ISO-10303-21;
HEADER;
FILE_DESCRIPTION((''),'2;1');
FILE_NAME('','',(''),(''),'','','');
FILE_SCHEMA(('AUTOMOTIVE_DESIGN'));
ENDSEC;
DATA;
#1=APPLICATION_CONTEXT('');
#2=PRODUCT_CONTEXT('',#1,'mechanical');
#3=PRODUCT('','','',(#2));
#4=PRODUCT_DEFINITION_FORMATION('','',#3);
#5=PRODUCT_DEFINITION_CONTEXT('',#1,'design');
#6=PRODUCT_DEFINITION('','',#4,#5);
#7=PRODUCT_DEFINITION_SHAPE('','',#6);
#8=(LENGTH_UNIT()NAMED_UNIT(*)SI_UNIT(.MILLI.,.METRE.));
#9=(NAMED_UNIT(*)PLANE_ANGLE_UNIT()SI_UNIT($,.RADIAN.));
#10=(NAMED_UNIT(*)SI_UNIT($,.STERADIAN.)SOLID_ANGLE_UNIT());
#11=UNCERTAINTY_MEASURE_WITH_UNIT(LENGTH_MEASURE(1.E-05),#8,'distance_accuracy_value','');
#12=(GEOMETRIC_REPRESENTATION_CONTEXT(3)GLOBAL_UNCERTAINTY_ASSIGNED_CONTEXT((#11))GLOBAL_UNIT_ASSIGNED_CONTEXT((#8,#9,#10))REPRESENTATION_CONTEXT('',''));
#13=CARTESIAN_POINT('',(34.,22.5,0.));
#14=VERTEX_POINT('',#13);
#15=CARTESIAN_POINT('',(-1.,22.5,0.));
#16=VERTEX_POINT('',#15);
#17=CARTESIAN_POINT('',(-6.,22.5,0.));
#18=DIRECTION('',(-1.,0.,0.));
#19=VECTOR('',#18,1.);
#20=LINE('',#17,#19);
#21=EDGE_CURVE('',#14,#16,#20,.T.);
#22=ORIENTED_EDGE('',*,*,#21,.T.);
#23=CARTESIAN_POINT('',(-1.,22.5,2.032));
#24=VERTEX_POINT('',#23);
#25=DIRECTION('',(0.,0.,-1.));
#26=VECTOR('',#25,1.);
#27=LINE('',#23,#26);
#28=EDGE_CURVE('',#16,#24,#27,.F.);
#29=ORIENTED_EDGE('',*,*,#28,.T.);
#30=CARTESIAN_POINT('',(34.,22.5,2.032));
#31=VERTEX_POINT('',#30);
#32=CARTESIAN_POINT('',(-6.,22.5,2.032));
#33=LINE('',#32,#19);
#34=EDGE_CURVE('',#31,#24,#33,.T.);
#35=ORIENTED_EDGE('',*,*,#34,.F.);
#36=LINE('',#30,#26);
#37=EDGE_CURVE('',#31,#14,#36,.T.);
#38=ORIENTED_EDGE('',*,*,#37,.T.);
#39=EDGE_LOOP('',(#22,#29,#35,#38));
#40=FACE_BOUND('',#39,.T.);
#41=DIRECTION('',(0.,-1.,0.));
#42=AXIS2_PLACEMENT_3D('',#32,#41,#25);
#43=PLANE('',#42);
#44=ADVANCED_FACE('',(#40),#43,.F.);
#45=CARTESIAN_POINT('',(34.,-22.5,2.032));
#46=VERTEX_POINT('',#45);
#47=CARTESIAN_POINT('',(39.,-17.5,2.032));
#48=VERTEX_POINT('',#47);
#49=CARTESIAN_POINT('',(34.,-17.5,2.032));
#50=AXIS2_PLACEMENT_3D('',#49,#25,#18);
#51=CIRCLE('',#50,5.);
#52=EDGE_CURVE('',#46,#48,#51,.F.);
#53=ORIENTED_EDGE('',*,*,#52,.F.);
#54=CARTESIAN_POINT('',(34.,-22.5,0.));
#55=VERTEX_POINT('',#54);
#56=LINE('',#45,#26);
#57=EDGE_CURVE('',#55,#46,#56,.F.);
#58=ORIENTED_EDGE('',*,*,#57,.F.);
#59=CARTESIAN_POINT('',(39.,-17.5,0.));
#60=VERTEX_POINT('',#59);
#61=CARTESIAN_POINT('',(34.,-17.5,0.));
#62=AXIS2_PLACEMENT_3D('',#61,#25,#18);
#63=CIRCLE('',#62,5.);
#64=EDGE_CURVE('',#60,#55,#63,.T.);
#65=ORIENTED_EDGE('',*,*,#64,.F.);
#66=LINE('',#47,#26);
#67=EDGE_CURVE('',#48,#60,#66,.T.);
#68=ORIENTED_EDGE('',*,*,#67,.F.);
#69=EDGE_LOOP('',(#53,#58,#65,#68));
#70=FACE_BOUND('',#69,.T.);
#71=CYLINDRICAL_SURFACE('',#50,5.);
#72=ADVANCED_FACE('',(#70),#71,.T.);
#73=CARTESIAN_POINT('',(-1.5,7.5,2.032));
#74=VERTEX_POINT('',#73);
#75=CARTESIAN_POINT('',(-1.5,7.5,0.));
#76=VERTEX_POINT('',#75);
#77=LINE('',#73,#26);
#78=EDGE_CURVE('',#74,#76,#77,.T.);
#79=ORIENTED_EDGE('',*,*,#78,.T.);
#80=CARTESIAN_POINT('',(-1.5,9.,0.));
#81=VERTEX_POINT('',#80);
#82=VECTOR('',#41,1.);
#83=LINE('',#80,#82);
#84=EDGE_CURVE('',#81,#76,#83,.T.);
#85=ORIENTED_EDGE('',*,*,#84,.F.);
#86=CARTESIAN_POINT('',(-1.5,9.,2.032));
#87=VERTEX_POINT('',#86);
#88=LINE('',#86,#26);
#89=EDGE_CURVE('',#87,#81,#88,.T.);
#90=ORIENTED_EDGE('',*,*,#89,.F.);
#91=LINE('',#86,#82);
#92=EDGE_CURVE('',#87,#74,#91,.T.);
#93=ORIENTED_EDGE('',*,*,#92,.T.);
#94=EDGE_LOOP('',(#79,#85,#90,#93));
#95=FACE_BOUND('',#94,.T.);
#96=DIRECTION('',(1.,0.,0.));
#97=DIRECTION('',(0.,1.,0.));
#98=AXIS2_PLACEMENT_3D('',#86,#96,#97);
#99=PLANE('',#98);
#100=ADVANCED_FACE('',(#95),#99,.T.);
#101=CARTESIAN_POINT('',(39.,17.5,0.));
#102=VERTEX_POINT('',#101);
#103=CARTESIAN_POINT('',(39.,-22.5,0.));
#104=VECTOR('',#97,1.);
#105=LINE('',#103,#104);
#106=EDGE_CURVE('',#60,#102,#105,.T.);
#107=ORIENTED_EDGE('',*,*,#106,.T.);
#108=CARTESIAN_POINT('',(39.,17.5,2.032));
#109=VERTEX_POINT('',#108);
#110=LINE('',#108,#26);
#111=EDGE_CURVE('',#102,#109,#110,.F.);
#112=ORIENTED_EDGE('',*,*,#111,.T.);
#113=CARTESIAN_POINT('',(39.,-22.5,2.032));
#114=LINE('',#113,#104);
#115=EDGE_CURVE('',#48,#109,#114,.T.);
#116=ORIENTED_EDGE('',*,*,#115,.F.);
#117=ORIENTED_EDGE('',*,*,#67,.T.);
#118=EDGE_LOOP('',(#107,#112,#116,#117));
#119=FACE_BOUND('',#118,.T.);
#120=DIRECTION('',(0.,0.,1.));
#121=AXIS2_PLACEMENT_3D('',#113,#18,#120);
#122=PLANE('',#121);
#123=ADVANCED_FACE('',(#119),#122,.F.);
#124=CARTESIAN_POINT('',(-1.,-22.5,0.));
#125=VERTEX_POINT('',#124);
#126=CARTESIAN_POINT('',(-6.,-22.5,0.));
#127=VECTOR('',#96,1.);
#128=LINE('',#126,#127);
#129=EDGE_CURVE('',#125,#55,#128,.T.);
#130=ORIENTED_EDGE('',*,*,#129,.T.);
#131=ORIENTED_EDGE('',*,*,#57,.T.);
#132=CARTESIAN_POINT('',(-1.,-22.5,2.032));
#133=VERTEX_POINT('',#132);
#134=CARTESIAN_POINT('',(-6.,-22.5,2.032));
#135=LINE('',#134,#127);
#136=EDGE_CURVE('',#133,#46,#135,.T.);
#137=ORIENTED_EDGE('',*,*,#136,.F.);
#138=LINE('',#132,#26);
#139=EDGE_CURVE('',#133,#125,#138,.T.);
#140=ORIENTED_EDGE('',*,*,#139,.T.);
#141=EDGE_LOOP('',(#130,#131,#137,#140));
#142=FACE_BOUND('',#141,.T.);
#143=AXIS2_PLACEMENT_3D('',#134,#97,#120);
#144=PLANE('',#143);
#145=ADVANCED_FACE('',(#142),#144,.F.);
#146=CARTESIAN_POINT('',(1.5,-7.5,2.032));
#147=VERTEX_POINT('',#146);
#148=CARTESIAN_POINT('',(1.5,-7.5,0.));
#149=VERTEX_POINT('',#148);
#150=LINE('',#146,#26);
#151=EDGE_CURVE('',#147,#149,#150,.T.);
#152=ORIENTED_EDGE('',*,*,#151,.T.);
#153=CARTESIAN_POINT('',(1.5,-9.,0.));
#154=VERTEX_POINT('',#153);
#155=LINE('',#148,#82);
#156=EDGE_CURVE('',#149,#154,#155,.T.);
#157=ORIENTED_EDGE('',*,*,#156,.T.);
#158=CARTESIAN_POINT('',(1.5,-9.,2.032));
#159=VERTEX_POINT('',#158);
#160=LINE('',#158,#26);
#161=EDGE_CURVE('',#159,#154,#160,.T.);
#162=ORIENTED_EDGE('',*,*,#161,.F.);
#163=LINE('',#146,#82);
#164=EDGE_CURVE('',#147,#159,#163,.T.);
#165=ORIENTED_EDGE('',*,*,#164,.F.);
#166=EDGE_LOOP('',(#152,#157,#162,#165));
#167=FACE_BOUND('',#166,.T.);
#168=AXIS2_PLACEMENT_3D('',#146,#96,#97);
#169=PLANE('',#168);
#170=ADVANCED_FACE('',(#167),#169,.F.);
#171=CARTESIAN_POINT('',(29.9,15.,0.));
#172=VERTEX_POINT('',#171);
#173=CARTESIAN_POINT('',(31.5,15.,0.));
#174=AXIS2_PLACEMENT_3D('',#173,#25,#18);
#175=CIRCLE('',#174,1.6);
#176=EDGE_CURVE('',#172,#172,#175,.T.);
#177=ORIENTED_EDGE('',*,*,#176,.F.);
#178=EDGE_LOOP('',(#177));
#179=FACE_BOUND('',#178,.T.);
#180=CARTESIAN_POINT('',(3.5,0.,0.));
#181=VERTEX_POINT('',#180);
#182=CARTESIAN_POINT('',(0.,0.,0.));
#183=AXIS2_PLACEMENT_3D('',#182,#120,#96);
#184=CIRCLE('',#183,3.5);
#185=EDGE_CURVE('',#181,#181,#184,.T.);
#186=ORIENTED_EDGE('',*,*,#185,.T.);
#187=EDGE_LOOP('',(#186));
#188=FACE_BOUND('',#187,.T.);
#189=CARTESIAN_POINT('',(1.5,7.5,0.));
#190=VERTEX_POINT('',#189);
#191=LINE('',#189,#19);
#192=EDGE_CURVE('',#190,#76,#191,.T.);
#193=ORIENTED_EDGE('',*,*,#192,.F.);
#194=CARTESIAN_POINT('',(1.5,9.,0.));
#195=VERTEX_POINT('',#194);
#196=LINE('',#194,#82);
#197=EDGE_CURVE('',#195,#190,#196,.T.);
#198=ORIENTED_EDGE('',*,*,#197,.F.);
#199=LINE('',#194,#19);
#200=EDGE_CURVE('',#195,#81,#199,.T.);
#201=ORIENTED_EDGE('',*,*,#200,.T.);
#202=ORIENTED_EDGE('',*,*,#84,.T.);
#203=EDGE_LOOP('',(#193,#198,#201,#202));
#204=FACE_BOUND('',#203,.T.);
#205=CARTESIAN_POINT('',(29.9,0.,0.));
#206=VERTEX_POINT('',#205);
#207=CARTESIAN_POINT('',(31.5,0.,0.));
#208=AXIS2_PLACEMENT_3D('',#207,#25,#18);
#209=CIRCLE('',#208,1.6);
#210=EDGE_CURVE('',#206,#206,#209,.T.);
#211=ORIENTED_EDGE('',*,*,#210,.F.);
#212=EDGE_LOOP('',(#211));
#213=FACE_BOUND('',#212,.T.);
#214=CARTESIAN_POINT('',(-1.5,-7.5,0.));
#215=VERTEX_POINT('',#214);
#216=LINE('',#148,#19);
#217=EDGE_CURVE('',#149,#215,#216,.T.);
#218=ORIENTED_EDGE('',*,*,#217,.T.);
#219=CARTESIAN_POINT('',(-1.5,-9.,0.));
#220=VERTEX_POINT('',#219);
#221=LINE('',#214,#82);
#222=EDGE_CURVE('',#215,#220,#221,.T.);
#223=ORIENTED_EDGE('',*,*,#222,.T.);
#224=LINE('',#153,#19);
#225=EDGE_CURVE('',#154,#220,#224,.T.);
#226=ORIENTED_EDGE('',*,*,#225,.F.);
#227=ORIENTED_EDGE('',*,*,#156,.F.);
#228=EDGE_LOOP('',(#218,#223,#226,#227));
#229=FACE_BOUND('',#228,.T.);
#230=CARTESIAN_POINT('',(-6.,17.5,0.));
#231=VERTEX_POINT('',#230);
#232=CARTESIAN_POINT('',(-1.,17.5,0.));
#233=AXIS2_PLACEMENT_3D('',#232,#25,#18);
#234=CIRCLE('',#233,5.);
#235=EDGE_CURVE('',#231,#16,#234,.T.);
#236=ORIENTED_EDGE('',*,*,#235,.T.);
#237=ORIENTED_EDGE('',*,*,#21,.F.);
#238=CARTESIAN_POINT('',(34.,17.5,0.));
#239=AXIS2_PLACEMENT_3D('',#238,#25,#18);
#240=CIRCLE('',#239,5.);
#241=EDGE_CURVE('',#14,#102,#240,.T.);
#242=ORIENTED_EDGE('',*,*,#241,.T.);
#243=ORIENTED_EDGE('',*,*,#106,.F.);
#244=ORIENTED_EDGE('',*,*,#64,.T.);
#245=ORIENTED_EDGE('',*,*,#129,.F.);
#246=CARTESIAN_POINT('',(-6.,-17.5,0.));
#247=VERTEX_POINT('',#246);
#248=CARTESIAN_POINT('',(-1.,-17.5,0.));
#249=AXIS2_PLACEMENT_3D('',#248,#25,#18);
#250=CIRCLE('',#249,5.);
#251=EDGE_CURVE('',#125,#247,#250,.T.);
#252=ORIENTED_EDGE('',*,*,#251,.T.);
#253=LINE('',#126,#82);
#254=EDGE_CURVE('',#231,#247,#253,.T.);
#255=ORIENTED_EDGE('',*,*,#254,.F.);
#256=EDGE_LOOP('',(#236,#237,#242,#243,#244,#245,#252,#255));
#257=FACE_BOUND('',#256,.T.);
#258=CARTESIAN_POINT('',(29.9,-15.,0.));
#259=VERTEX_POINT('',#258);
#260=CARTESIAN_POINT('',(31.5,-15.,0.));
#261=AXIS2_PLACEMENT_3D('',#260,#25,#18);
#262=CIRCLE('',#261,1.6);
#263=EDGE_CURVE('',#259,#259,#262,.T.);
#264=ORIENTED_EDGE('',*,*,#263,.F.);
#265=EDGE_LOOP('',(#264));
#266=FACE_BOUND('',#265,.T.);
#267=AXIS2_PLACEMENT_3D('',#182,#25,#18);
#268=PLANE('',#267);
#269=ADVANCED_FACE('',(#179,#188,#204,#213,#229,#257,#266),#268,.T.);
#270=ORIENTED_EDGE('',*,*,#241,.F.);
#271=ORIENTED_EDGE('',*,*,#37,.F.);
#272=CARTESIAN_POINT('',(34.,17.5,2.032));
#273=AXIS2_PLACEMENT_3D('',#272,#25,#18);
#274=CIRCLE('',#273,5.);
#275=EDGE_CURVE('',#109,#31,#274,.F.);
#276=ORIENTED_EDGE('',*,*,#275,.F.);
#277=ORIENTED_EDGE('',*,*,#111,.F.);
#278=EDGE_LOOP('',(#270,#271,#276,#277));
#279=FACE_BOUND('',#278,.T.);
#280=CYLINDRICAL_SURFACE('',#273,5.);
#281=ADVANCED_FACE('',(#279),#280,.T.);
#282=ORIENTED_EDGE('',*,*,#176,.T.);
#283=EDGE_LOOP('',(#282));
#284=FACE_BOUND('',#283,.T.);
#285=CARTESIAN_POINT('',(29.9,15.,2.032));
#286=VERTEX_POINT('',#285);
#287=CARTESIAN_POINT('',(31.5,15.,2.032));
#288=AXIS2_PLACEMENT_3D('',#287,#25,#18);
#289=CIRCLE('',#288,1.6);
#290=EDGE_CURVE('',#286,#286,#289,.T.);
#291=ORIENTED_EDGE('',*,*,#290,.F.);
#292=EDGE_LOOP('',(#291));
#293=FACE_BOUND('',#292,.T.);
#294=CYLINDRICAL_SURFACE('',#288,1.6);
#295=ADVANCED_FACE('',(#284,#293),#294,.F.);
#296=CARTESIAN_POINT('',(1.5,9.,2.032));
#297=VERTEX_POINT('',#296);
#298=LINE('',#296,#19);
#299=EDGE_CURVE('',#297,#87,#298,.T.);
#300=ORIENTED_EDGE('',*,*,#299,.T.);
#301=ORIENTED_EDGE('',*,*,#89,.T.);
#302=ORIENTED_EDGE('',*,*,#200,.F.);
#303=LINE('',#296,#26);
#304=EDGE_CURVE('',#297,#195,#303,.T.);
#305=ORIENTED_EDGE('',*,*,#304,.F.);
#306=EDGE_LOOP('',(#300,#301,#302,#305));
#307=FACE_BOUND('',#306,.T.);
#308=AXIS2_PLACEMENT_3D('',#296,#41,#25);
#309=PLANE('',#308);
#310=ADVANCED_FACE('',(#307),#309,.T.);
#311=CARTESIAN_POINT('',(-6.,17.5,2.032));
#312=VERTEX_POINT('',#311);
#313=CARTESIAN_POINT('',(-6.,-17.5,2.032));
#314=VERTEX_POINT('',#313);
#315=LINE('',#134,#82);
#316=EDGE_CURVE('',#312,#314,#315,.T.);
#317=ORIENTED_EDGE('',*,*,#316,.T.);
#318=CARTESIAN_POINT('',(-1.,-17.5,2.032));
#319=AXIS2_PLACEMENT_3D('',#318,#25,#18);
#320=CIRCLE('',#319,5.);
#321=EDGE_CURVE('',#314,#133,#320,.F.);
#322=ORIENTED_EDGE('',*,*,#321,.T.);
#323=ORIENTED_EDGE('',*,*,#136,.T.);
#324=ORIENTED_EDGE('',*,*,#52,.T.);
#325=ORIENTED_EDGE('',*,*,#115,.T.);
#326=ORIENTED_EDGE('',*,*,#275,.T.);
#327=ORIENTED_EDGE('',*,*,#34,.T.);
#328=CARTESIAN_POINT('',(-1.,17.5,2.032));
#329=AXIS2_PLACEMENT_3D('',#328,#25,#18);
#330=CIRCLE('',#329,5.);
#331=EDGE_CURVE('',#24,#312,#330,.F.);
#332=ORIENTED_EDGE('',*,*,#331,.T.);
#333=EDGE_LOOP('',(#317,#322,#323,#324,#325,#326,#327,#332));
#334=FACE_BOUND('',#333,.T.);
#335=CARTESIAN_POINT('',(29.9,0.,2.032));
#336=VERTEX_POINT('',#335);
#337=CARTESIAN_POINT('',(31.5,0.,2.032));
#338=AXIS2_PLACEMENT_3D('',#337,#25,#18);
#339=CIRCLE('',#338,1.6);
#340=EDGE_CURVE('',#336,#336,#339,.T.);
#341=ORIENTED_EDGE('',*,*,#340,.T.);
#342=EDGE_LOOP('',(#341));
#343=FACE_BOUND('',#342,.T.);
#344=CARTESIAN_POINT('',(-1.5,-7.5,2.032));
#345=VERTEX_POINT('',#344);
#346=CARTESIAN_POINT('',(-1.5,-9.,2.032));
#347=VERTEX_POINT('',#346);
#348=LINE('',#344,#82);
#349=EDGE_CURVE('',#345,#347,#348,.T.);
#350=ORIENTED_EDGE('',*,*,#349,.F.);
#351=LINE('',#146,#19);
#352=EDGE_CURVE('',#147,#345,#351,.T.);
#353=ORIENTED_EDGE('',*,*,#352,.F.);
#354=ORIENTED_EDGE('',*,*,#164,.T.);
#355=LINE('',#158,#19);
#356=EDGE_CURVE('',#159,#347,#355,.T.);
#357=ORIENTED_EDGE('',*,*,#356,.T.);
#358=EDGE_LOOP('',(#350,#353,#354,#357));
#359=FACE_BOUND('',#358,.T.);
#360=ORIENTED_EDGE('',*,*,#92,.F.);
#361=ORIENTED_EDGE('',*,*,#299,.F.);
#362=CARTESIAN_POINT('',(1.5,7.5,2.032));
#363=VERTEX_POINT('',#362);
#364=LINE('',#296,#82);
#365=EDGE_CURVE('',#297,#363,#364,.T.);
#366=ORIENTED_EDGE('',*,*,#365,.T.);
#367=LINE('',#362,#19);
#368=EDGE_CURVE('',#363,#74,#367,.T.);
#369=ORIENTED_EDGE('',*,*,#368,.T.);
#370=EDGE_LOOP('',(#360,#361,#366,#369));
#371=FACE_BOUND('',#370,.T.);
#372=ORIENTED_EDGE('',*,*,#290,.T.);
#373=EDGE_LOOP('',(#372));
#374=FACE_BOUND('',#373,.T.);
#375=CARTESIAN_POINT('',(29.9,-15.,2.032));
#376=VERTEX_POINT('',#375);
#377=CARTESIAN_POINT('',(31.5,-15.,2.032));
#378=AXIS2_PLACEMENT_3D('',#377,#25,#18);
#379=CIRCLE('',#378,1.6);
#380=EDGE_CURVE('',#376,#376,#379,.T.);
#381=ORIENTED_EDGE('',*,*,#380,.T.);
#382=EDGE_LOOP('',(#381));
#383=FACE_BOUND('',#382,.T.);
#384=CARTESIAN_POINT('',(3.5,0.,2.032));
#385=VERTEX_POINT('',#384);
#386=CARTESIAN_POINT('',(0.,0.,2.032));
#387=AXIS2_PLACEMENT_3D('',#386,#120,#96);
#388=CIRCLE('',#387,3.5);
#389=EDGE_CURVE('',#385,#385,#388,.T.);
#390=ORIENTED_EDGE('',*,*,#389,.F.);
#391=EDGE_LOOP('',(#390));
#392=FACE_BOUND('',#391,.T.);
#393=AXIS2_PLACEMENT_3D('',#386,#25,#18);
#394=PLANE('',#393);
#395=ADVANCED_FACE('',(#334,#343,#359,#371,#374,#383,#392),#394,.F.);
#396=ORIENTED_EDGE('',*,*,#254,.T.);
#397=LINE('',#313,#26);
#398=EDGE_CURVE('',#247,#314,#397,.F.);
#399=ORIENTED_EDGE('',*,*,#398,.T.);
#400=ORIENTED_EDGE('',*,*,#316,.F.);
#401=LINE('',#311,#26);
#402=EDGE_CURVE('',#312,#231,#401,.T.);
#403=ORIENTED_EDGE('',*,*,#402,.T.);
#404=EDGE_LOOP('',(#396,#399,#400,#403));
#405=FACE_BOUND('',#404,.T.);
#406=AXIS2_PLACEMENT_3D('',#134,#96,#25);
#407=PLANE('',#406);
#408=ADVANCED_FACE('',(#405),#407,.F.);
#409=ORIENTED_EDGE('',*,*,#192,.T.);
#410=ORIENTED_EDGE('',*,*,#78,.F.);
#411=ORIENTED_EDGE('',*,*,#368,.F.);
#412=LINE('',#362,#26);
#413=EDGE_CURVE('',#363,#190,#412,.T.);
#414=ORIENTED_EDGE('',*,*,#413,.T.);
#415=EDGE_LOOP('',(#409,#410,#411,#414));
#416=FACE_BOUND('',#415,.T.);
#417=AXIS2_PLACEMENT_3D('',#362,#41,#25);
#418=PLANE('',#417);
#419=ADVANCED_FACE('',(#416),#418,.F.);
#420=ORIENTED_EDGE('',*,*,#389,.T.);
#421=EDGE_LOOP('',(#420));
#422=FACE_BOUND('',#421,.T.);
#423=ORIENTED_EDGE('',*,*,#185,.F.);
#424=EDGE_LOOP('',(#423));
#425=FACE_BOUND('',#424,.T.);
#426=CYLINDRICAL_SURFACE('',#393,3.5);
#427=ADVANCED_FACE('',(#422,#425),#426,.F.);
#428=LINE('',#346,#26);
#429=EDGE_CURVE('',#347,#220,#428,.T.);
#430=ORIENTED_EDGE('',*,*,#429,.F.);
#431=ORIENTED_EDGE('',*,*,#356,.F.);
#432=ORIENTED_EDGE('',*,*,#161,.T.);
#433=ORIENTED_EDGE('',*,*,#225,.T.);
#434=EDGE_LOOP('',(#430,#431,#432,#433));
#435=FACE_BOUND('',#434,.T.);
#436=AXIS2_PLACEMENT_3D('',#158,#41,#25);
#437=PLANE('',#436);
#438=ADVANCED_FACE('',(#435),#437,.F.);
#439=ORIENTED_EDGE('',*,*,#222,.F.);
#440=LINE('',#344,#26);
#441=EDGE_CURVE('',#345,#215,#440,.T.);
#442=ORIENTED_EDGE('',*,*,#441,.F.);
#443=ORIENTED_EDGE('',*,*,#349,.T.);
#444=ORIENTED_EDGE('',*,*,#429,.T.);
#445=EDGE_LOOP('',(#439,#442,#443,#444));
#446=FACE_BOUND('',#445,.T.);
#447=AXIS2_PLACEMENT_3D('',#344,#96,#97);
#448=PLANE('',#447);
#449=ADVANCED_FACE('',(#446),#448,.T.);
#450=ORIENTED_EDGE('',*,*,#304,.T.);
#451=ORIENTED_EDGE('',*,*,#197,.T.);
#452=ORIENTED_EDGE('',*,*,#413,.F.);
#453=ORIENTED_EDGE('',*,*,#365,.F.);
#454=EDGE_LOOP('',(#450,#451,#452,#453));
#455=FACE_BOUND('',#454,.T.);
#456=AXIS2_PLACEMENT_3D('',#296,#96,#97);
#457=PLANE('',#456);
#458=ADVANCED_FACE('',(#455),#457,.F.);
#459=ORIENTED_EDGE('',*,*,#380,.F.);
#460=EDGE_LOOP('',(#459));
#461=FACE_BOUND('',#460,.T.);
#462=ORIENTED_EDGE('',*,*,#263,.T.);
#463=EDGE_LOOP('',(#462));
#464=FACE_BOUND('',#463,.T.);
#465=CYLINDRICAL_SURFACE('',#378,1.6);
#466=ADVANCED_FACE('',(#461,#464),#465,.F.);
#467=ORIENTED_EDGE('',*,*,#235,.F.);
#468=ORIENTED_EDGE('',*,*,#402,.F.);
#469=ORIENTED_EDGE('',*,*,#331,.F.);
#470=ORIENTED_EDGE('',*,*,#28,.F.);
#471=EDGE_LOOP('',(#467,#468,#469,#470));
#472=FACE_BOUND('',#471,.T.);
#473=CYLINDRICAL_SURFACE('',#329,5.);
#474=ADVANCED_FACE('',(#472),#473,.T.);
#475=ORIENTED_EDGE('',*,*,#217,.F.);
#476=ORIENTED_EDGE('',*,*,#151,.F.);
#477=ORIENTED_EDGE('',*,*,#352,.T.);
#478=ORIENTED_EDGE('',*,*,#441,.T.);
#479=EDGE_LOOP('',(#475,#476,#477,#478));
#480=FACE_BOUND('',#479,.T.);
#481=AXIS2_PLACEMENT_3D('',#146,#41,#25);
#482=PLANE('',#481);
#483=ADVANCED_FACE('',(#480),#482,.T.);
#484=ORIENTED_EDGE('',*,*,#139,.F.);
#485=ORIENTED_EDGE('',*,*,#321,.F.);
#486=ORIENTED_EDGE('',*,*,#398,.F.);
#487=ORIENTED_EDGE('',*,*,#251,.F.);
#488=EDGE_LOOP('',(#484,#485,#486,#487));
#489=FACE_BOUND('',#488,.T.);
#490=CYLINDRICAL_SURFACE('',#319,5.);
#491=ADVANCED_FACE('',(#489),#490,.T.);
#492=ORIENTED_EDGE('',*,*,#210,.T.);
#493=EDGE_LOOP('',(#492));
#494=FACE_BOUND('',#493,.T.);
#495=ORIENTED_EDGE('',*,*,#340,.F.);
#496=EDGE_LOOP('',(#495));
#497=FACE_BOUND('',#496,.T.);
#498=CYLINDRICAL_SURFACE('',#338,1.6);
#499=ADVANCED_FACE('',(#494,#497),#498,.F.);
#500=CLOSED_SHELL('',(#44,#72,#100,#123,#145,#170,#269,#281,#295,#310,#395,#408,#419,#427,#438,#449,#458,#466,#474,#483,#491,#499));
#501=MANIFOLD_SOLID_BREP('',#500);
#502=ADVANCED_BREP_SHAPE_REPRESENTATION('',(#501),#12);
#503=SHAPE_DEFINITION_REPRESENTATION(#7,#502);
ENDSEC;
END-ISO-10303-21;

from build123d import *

# Parameters (mm, degrees)
SKETCH1_W           = 45
SKETCH1_H           = 45
SKETCH1_R           = 3.5
BOSS_EXTRUDE1_DEPTH = 2.032
FILLET2_R           = 5
SKETCH4_R           = 1.6
CUT_EXTRUDE3_DEPTH  = 3.032
SKETCH5_W           = 3
SKETCH5_H           = 1.5
CUT_EXTRUDE5_DEPTH  = 3.032


with BuildPart() as part:
    # Sketch1 → Boss-Extrude1 (new body)
    with BuildSketch(Plane.XY):
        with Locations((16.5, 0)):
            Rectangle(SKETCH1_W, SKETCH1_H)
        Circle(SKETCH1_R, mode=Mode.SUBTRACT)
    extrude(amount=BOSS_EXTRUDE1_DEPTH)

    # Fillet2
    fillet2_edges = [part.edges().sort_by_distance(p)[0] for p in [
        (39, -22.5, 1.016),
        (-6, -22.5, 1.016),
        (-6, 22.5, 1.016),
        (39, 22.5, 1.016),
    ]]
    fillet(fillet2_edges, radius=FILLET2_R)

    # Sketch4 → Cut-Extrude3 (cut, through all)
    with BuildSketch(Plane(origin=(0, 0, 0), x_dir=(-1, 0, 0), z_dir=(0, 0, -1))):
        with Locations((-31.5, 15)):
            Circle(SKETCH4_R)
        with Locations((-31.5, 0)):
            Circle(SKETCH4_R)
        with Locations((-31.5, -15)):
            Circle(SKETCH4_R)
    extrude(amount=-CUT_EXTRUDE3_DEPTH, mode=Mode.SUBTRACT)

    # Sketch5 → Cut-Extrude5 (cut, through all)
    with BuildSketch(Plane(origin=(0, 0, 0), x_dir=(-1, 0, 0), z_dir=(0, 0, -1))):
        with Locations((0, 8.25)):
            Rectangle(SKETCH5_W, SKETCH5_H)
        with Locations((0, -8.25)):
            Rectangle(SKETCH5_W, SKETCH5_H)
    extrude(amount=-CUT_EXTRUDE5_DEPTH, mode=Mode.SUBTRACT)


solid = part.part
